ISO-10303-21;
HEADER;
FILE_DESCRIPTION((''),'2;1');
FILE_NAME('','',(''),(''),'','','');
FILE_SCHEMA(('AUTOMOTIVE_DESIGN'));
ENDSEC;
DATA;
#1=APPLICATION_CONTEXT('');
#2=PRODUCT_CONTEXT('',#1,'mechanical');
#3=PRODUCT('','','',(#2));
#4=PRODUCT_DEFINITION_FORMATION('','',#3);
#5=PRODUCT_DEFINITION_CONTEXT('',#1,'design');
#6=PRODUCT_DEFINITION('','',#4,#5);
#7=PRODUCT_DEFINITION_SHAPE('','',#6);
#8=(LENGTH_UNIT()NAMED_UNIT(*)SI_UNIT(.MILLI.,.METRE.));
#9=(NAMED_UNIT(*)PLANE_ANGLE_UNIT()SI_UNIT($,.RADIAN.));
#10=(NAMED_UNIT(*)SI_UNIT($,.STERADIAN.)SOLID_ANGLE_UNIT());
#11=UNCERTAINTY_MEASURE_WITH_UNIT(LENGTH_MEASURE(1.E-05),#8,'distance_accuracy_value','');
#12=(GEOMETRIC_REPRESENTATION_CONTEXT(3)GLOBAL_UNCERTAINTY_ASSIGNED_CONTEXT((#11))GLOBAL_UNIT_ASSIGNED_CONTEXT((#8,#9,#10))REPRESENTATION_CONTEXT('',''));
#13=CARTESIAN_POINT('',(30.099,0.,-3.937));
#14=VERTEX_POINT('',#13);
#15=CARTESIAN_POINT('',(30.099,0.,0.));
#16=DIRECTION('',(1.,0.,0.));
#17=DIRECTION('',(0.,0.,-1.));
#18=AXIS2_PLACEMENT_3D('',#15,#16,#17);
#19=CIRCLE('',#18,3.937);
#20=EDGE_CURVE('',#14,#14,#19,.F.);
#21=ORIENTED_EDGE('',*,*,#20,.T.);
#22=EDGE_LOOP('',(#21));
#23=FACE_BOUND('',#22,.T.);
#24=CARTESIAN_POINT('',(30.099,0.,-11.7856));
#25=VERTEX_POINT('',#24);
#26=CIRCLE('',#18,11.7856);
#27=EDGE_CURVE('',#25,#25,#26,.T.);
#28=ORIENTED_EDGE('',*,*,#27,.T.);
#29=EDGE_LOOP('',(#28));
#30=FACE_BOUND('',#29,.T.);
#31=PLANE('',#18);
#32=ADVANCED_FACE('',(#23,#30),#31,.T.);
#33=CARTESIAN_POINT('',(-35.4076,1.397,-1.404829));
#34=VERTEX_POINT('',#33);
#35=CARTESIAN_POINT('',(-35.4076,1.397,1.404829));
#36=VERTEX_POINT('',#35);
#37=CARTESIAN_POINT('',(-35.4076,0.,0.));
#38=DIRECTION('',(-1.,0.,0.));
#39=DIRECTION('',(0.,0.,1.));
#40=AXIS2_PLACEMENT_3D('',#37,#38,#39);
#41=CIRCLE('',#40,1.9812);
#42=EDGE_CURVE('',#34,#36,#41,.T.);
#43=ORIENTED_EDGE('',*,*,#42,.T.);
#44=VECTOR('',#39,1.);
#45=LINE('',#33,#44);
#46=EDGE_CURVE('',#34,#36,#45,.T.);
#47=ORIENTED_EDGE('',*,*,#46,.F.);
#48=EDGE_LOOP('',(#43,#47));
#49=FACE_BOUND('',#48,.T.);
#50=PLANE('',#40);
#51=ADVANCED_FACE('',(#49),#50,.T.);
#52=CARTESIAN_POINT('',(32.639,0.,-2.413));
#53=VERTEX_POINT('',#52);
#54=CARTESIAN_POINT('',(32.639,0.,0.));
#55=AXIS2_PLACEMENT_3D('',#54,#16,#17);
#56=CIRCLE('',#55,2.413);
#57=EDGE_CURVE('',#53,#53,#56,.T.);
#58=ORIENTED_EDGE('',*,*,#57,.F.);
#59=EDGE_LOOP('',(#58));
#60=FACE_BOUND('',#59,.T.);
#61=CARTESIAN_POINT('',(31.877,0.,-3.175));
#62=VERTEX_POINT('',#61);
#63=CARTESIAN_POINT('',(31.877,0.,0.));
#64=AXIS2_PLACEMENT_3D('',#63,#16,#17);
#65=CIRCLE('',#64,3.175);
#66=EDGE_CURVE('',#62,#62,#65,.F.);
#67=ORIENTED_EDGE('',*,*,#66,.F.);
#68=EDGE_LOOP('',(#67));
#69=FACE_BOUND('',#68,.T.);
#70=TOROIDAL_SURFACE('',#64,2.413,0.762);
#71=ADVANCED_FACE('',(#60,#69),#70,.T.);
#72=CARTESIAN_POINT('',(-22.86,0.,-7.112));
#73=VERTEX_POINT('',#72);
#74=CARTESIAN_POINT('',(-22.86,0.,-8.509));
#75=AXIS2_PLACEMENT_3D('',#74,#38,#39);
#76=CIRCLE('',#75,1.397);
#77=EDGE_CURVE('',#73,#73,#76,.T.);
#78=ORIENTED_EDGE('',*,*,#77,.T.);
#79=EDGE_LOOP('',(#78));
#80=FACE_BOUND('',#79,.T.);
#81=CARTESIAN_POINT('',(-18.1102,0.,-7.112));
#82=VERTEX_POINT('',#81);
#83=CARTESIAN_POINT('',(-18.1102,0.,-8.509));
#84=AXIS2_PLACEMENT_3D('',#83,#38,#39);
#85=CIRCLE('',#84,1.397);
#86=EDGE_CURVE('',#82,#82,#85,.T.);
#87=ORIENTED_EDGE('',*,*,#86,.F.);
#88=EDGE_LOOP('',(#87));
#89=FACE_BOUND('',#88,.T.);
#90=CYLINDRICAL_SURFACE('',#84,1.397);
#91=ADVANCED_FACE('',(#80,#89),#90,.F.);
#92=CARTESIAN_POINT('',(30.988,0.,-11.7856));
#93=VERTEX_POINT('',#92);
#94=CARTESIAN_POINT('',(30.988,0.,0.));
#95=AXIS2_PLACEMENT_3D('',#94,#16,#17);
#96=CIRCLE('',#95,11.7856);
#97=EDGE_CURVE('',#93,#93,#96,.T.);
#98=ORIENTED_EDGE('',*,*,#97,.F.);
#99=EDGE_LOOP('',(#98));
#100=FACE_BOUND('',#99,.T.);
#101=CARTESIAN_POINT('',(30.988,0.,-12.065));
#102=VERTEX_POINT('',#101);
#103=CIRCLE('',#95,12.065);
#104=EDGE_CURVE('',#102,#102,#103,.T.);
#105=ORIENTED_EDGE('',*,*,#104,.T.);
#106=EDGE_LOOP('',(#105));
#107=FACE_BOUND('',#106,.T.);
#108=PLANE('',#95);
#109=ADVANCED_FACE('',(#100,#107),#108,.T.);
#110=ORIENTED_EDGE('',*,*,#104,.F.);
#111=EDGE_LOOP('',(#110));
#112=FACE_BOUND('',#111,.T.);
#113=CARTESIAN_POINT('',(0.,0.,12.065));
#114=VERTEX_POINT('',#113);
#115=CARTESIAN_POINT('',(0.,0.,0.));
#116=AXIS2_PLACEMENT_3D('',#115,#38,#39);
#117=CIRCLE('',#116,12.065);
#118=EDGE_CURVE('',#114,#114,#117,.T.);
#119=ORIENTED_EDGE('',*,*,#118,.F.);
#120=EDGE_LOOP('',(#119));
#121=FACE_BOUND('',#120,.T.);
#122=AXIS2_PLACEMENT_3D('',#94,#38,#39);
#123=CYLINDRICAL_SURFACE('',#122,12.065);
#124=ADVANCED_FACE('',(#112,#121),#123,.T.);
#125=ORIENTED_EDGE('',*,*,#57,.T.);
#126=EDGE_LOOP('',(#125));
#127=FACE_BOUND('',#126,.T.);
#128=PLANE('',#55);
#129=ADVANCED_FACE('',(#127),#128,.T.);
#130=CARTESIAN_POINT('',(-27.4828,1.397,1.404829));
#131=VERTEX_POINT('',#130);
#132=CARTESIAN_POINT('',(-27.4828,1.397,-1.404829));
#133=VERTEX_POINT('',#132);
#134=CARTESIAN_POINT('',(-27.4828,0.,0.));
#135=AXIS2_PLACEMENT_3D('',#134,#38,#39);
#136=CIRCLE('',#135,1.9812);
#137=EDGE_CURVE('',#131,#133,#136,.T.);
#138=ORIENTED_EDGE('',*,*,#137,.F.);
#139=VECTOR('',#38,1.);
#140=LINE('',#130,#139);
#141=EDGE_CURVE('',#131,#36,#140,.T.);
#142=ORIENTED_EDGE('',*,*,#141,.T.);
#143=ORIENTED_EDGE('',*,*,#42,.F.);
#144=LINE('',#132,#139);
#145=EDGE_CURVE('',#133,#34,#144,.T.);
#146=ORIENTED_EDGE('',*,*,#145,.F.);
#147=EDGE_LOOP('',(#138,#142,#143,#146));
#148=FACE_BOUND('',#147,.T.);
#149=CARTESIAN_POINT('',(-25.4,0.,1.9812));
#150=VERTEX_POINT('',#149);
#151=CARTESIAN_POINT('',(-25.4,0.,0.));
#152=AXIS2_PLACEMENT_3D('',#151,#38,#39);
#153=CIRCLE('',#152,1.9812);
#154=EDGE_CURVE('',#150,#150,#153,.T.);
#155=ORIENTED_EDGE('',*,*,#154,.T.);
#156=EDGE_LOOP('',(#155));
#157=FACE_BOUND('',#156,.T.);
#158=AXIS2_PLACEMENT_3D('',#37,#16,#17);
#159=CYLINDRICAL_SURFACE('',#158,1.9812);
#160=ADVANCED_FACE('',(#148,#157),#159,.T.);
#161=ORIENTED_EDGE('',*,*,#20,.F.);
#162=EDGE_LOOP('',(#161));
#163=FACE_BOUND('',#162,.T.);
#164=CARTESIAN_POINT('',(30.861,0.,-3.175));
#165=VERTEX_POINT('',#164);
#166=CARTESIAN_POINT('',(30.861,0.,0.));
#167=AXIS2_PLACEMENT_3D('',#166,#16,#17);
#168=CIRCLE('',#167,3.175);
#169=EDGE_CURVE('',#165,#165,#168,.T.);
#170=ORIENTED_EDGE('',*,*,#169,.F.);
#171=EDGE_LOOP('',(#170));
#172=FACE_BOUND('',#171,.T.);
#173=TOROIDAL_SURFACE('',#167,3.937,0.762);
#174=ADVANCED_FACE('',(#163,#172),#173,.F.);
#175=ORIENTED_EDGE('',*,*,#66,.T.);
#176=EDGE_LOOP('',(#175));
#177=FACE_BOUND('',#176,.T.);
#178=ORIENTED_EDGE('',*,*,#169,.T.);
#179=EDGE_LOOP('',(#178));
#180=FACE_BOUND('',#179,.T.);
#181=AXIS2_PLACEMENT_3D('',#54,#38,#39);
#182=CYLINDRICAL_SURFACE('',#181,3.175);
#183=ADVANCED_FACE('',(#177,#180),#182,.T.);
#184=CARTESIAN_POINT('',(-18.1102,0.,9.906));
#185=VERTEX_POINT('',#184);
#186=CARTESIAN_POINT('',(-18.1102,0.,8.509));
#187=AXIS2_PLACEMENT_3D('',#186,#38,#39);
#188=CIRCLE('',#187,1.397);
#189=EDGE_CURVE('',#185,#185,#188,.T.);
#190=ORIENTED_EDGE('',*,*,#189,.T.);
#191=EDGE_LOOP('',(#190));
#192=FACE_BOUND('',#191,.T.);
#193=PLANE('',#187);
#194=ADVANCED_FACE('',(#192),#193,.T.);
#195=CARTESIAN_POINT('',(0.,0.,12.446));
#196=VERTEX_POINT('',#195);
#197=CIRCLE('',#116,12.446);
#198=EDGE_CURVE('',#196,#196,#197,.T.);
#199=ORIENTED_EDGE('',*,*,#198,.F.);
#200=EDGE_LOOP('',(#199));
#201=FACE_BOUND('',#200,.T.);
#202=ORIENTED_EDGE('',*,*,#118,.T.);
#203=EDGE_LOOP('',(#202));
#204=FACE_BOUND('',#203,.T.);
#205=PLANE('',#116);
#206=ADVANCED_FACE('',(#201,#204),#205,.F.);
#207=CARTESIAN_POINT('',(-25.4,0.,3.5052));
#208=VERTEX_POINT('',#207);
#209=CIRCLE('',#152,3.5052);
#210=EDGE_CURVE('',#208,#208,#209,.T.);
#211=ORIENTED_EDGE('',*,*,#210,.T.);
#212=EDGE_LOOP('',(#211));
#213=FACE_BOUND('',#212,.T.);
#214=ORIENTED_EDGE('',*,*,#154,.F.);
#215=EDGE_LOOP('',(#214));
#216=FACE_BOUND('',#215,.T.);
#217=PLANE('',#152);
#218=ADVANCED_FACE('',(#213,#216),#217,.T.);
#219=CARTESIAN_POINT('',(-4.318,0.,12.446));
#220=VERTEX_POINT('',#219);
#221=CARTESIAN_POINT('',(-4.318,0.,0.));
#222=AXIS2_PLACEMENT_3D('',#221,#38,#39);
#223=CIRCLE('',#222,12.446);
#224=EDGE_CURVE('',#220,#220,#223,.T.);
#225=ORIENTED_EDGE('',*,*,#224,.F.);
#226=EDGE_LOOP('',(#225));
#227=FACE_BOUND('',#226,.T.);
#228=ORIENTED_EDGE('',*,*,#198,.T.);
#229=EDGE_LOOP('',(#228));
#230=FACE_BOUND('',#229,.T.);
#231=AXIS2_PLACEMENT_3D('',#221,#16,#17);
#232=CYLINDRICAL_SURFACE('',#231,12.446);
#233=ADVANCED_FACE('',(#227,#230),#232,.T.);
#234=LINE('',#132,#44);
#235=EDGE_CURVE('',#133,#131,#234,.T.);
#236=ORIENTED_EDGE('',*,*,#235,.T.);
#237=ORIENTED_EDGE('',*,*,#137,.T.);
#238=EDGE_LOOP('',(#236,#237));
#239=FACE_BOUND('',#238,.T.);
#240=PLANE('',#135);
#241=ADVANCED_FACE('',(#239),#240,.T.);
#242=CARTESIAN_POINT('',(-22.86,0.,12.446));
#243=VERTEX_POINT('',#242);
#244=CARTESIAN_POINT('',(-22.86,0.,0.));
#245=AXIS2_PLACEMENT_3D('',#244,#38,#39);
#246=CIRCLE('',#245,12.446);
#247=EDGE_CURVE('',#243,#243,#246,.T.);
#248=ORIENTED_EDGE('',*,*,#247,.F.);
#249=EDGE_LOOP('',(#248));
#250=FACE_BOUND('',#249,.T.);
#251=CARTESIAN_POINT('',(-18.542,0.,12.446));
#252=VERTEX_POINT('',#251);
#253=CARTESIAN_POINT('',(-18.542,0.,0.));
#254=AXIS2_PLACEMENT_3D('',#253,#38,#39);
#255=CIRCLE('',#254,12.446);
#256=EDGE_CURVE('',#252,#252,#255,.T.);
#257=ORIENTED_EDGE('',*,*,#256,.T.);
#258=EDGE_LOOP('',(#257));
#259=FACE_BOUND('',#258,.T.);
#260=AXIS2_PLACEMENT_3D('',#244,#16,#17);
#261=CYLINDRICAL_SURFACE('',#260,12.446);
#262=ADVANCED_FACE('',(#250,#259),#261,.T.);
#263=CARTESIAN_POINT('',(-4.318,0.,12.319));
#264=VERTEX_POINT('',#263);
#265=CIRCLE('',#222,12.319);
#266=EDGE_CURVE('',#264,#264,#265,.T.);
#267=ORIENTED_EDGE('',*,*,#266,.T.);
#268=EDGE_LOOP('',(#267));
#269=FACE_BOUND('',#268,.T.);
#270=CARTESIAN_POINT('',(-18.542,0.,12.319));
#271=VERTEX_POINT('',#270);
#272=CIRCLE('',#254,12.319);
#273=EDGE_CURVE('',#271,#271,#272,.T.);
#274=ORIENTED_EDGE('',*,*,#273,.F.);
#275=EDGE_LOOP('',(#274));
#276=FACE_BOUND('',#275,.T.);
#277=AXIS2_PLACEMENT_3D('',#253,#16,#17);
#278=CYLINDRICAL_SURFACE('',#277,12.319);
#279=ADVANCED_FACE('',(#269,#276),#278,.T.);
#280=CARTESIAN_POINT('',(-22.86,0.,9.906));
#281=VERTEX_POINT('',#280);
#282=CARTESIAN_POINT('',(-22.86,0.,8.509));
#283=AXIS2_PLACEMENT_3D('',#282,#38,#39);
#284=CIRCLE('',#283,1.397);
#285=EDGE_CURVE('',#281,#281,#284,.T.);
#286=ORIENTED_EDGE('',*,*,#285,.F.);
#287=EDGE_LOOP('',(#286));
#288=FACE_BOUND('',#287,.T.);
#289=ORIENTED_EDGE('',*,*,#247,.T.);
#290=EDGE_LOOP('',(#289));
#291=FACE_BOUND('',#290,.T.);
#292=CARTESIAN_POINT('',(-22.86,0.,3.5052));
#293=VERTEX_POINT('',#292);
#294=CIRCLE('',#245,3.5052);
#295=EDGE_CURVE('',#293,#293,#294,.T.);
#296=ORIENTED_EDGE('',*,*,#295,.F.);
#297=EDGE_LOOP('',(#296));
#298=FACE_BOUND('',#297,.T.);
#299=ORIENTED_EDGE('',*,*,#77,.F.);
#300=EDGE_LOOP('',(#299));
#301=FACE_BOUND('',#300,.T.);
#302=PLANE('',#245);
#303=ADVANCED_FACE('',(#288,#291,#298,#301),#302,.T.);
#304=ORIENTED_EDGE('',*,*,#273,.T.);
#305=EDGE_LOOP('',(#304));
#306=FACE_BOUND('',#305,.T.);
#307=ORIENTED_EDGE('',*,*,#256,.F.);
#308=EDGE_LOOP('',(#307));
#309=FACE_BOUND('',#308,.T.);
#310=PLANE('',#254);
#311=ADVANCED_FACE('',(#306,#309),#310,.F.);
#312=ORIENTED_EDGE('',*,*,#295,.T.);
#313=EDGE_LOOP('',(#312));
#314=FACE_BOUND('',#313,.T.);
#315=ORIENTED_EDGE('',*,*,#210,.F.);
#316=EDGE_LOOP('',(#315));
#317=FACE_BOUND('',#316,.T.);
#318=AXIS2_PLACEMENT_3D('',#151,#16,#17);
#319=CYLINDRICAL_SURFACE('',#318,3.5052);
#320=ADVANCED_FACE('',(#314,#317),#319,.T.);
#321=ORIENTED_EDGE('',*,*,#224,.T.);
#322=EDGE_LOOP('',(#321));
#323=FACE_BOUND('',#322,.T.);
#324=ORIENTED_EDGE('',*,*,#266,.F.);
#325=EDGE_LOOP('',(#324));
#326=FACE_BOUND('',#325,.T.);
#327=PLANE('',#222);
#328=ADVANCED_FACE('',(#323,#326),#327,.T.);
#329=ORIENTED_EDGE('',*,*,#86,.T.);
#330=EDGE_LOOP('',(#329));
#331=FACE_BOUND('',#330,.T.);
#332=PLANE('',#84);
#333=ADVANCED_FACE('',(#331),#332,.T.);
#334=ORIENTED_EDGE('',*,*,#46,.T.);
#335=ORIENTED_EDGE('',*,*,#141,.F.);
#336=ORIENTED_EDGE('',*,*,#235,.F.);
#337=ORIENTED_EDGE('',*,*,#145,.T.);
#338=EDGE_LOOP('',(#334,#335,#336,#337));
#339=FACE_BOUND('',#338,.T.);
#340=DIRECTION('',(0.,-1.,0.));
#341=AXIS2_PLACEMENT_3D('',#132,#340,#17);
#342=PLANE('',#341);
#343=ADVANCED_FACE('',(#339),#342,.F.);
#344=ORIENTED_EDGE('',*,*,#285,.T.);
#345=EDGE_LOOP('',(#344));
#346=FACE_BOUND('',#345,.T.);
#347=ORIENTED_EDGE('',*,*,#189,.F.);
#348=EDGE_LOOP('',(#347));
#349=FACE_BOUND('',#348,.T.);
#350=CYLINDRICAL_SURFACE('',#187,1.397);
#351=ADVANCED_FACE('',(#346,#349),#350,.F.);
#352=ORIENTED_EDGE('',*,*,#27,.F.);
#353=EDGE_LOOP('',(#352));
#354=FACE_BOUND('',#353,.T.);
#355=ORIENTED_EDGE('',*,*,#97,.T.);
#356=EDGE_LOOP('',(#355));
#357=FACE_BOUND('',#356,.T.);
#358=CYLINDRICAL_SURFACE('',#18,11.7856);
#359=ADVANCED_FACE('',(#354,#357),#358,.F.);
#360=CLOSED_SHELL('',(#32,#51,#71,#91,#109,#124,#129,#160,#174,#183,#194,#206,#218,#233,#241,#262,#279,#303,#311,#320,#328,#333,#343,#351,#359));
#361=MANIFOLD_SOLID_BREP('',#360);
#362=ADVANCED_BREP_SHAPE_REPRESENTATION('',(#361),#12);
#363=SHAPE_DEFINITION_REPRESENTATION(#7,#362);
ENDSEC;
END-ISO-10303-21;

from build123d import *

# Parameters (mm, degrees)
SKETCH1_R           = 12.065
BOSS_EXTRUDE1_DEPTH = 30.988
SKETCH2_R           = 12.446
BOSS_EXTRUDE2_DEPTH = 4.318
SKETCH3_R           = 12.319
BOSS_EXTRUDE3_DEPTH = 14.224
SKETCH4_R           = 12.446
BOSS_EXTRUDE4_DEPTH = 4.318
SKETCH5_R           = 3.5052
BOSS_EXTRUDE5_DEPTH = 2.54
SKETCH6_R           = 1.9812
BOSS_EXTRUDE6_DEPTH = 10.0076
CUT_EXTRUDE1_DEPTH  = 7.9248
SKETCH8_R           = 11.7856
CUT_EXTRUDE2_DEPTH  = 0.889
SKETCH9_R           = 3.175
BOSS_EXTRUDE7_DEPTH = 2.54
FILLET1_R           = 0.762
SKETCH10_R          = 1.397
CUT_EXTRUDE3_DEPTH  = 4.7498


with BuildPart() as part:
    # Sketch1 → Boss-Extrude1 (new body)
    with BuildSketch(Plane(origin=(0, 0, 0), x_dir=(0, 0, -1), z_dir=(1, 0, 0))):
        Circle(SKETCH1_R)
    extrude(amount=BOSS_EXTRUDE1_DEPTH)

    # Sketch2 → Boss-Extrude2 (add)
    with BuildSketch(Plane.ZY):
        Circle(SKETCH2_R)
    extrude(amount=BOSS_EXTRUDE2_DEPTH)

    # Sketch3 → Boss-Extrude3 (add)
    with BuildSketch(Plane.ZY.offset(4.318)):
        Circle(SKETCH3_R)
    extrude(amount=BOSS_EXTRUDE3_DEPTH)

    # Sketch4 → Boss-Extrude4 (add)
    with BuildSketch(Plane.ZY.offset(18.542)):
        Circle(SKETCH4_R)
    extrude(amount=BOSS_EXTRUDE4_DEPTH)

    # Sketch5 → Boss-Extrude5 (add)
    with BuildSketch(Plane.ZY.offset(22.86)):
        Circle(SKETCH5_R)
    extrude(amount=BOSS_EXTRUDE5_DEPTH)

    # Sketch6 → Boss-Extrude6 (add)
    with BuildSketch(Plane.ZY.offset(25.4)):
        Circle(SKETCH6_R)
    extrude(amount=BOSS_EXTRUDE6_DEPTH)

    # Sketch7 → Cut-Extrude1 (cut)
    with BuildSketch(Plane.ZY.offset(35.4076)):
        with BuildLine():
            Line((-1.404828972, 1.397), (1.404828972, 1.397))
            ThreePointArc((1.404828972, 1.397), (0, 1.9812), (-1.404828972, 1.397))
        make_face()
    extrude(amount=-CUT_EXTRUDE1_DEPTH, mode=Mode.SUBTRACT)

    # Sketch8 → Cut-Extrude2 (cut)
    with BuildSketch(Plane(origin=(30.988, 0, 0), x_dir=(0, 0, -1), z_dir=(1, 0, 0))):
        Circle(SKETCH8_R)
    extrude(amount=-CUT_EXTRUDE2_DEPTH, mode=Mode.SUBTRACT)

    # Sketch9 → Boss-Extrude7 (add)
    with BuildSketch(Plane(origin=(30.099, 0, 0), x_dir=(0, 0, -1), z_dir=(1, 0, 0))):
        Circle(SKETCH9_R)
    extrude(amount=BOSS_EXTRUDE7_DEPTH)

    # Fillet1
    fillet1_edges = [part.edges().sort_by_distance(p)[0] for p in [
        (30.099, 0, 3.175),
        (32.639, 0, 3.175),
    ]]
    fillet(fillet1_edges, radius=FILLET1_R)

    # Sketch10 → Cut-Extrude3 (cut)
    with BuildSketch(Plane.ZY.offset(22.86)):
        with Locations((8.509, 0)):
            Circle(SKETCH10_R)
        with Locations((-8.509, 0)):
            Circle(SKETCH10_R)
    extrude(amount=-CUT_EXTRUDE3_DEPTH, mode=Mode.SUBTRACT)


solid = part.part
